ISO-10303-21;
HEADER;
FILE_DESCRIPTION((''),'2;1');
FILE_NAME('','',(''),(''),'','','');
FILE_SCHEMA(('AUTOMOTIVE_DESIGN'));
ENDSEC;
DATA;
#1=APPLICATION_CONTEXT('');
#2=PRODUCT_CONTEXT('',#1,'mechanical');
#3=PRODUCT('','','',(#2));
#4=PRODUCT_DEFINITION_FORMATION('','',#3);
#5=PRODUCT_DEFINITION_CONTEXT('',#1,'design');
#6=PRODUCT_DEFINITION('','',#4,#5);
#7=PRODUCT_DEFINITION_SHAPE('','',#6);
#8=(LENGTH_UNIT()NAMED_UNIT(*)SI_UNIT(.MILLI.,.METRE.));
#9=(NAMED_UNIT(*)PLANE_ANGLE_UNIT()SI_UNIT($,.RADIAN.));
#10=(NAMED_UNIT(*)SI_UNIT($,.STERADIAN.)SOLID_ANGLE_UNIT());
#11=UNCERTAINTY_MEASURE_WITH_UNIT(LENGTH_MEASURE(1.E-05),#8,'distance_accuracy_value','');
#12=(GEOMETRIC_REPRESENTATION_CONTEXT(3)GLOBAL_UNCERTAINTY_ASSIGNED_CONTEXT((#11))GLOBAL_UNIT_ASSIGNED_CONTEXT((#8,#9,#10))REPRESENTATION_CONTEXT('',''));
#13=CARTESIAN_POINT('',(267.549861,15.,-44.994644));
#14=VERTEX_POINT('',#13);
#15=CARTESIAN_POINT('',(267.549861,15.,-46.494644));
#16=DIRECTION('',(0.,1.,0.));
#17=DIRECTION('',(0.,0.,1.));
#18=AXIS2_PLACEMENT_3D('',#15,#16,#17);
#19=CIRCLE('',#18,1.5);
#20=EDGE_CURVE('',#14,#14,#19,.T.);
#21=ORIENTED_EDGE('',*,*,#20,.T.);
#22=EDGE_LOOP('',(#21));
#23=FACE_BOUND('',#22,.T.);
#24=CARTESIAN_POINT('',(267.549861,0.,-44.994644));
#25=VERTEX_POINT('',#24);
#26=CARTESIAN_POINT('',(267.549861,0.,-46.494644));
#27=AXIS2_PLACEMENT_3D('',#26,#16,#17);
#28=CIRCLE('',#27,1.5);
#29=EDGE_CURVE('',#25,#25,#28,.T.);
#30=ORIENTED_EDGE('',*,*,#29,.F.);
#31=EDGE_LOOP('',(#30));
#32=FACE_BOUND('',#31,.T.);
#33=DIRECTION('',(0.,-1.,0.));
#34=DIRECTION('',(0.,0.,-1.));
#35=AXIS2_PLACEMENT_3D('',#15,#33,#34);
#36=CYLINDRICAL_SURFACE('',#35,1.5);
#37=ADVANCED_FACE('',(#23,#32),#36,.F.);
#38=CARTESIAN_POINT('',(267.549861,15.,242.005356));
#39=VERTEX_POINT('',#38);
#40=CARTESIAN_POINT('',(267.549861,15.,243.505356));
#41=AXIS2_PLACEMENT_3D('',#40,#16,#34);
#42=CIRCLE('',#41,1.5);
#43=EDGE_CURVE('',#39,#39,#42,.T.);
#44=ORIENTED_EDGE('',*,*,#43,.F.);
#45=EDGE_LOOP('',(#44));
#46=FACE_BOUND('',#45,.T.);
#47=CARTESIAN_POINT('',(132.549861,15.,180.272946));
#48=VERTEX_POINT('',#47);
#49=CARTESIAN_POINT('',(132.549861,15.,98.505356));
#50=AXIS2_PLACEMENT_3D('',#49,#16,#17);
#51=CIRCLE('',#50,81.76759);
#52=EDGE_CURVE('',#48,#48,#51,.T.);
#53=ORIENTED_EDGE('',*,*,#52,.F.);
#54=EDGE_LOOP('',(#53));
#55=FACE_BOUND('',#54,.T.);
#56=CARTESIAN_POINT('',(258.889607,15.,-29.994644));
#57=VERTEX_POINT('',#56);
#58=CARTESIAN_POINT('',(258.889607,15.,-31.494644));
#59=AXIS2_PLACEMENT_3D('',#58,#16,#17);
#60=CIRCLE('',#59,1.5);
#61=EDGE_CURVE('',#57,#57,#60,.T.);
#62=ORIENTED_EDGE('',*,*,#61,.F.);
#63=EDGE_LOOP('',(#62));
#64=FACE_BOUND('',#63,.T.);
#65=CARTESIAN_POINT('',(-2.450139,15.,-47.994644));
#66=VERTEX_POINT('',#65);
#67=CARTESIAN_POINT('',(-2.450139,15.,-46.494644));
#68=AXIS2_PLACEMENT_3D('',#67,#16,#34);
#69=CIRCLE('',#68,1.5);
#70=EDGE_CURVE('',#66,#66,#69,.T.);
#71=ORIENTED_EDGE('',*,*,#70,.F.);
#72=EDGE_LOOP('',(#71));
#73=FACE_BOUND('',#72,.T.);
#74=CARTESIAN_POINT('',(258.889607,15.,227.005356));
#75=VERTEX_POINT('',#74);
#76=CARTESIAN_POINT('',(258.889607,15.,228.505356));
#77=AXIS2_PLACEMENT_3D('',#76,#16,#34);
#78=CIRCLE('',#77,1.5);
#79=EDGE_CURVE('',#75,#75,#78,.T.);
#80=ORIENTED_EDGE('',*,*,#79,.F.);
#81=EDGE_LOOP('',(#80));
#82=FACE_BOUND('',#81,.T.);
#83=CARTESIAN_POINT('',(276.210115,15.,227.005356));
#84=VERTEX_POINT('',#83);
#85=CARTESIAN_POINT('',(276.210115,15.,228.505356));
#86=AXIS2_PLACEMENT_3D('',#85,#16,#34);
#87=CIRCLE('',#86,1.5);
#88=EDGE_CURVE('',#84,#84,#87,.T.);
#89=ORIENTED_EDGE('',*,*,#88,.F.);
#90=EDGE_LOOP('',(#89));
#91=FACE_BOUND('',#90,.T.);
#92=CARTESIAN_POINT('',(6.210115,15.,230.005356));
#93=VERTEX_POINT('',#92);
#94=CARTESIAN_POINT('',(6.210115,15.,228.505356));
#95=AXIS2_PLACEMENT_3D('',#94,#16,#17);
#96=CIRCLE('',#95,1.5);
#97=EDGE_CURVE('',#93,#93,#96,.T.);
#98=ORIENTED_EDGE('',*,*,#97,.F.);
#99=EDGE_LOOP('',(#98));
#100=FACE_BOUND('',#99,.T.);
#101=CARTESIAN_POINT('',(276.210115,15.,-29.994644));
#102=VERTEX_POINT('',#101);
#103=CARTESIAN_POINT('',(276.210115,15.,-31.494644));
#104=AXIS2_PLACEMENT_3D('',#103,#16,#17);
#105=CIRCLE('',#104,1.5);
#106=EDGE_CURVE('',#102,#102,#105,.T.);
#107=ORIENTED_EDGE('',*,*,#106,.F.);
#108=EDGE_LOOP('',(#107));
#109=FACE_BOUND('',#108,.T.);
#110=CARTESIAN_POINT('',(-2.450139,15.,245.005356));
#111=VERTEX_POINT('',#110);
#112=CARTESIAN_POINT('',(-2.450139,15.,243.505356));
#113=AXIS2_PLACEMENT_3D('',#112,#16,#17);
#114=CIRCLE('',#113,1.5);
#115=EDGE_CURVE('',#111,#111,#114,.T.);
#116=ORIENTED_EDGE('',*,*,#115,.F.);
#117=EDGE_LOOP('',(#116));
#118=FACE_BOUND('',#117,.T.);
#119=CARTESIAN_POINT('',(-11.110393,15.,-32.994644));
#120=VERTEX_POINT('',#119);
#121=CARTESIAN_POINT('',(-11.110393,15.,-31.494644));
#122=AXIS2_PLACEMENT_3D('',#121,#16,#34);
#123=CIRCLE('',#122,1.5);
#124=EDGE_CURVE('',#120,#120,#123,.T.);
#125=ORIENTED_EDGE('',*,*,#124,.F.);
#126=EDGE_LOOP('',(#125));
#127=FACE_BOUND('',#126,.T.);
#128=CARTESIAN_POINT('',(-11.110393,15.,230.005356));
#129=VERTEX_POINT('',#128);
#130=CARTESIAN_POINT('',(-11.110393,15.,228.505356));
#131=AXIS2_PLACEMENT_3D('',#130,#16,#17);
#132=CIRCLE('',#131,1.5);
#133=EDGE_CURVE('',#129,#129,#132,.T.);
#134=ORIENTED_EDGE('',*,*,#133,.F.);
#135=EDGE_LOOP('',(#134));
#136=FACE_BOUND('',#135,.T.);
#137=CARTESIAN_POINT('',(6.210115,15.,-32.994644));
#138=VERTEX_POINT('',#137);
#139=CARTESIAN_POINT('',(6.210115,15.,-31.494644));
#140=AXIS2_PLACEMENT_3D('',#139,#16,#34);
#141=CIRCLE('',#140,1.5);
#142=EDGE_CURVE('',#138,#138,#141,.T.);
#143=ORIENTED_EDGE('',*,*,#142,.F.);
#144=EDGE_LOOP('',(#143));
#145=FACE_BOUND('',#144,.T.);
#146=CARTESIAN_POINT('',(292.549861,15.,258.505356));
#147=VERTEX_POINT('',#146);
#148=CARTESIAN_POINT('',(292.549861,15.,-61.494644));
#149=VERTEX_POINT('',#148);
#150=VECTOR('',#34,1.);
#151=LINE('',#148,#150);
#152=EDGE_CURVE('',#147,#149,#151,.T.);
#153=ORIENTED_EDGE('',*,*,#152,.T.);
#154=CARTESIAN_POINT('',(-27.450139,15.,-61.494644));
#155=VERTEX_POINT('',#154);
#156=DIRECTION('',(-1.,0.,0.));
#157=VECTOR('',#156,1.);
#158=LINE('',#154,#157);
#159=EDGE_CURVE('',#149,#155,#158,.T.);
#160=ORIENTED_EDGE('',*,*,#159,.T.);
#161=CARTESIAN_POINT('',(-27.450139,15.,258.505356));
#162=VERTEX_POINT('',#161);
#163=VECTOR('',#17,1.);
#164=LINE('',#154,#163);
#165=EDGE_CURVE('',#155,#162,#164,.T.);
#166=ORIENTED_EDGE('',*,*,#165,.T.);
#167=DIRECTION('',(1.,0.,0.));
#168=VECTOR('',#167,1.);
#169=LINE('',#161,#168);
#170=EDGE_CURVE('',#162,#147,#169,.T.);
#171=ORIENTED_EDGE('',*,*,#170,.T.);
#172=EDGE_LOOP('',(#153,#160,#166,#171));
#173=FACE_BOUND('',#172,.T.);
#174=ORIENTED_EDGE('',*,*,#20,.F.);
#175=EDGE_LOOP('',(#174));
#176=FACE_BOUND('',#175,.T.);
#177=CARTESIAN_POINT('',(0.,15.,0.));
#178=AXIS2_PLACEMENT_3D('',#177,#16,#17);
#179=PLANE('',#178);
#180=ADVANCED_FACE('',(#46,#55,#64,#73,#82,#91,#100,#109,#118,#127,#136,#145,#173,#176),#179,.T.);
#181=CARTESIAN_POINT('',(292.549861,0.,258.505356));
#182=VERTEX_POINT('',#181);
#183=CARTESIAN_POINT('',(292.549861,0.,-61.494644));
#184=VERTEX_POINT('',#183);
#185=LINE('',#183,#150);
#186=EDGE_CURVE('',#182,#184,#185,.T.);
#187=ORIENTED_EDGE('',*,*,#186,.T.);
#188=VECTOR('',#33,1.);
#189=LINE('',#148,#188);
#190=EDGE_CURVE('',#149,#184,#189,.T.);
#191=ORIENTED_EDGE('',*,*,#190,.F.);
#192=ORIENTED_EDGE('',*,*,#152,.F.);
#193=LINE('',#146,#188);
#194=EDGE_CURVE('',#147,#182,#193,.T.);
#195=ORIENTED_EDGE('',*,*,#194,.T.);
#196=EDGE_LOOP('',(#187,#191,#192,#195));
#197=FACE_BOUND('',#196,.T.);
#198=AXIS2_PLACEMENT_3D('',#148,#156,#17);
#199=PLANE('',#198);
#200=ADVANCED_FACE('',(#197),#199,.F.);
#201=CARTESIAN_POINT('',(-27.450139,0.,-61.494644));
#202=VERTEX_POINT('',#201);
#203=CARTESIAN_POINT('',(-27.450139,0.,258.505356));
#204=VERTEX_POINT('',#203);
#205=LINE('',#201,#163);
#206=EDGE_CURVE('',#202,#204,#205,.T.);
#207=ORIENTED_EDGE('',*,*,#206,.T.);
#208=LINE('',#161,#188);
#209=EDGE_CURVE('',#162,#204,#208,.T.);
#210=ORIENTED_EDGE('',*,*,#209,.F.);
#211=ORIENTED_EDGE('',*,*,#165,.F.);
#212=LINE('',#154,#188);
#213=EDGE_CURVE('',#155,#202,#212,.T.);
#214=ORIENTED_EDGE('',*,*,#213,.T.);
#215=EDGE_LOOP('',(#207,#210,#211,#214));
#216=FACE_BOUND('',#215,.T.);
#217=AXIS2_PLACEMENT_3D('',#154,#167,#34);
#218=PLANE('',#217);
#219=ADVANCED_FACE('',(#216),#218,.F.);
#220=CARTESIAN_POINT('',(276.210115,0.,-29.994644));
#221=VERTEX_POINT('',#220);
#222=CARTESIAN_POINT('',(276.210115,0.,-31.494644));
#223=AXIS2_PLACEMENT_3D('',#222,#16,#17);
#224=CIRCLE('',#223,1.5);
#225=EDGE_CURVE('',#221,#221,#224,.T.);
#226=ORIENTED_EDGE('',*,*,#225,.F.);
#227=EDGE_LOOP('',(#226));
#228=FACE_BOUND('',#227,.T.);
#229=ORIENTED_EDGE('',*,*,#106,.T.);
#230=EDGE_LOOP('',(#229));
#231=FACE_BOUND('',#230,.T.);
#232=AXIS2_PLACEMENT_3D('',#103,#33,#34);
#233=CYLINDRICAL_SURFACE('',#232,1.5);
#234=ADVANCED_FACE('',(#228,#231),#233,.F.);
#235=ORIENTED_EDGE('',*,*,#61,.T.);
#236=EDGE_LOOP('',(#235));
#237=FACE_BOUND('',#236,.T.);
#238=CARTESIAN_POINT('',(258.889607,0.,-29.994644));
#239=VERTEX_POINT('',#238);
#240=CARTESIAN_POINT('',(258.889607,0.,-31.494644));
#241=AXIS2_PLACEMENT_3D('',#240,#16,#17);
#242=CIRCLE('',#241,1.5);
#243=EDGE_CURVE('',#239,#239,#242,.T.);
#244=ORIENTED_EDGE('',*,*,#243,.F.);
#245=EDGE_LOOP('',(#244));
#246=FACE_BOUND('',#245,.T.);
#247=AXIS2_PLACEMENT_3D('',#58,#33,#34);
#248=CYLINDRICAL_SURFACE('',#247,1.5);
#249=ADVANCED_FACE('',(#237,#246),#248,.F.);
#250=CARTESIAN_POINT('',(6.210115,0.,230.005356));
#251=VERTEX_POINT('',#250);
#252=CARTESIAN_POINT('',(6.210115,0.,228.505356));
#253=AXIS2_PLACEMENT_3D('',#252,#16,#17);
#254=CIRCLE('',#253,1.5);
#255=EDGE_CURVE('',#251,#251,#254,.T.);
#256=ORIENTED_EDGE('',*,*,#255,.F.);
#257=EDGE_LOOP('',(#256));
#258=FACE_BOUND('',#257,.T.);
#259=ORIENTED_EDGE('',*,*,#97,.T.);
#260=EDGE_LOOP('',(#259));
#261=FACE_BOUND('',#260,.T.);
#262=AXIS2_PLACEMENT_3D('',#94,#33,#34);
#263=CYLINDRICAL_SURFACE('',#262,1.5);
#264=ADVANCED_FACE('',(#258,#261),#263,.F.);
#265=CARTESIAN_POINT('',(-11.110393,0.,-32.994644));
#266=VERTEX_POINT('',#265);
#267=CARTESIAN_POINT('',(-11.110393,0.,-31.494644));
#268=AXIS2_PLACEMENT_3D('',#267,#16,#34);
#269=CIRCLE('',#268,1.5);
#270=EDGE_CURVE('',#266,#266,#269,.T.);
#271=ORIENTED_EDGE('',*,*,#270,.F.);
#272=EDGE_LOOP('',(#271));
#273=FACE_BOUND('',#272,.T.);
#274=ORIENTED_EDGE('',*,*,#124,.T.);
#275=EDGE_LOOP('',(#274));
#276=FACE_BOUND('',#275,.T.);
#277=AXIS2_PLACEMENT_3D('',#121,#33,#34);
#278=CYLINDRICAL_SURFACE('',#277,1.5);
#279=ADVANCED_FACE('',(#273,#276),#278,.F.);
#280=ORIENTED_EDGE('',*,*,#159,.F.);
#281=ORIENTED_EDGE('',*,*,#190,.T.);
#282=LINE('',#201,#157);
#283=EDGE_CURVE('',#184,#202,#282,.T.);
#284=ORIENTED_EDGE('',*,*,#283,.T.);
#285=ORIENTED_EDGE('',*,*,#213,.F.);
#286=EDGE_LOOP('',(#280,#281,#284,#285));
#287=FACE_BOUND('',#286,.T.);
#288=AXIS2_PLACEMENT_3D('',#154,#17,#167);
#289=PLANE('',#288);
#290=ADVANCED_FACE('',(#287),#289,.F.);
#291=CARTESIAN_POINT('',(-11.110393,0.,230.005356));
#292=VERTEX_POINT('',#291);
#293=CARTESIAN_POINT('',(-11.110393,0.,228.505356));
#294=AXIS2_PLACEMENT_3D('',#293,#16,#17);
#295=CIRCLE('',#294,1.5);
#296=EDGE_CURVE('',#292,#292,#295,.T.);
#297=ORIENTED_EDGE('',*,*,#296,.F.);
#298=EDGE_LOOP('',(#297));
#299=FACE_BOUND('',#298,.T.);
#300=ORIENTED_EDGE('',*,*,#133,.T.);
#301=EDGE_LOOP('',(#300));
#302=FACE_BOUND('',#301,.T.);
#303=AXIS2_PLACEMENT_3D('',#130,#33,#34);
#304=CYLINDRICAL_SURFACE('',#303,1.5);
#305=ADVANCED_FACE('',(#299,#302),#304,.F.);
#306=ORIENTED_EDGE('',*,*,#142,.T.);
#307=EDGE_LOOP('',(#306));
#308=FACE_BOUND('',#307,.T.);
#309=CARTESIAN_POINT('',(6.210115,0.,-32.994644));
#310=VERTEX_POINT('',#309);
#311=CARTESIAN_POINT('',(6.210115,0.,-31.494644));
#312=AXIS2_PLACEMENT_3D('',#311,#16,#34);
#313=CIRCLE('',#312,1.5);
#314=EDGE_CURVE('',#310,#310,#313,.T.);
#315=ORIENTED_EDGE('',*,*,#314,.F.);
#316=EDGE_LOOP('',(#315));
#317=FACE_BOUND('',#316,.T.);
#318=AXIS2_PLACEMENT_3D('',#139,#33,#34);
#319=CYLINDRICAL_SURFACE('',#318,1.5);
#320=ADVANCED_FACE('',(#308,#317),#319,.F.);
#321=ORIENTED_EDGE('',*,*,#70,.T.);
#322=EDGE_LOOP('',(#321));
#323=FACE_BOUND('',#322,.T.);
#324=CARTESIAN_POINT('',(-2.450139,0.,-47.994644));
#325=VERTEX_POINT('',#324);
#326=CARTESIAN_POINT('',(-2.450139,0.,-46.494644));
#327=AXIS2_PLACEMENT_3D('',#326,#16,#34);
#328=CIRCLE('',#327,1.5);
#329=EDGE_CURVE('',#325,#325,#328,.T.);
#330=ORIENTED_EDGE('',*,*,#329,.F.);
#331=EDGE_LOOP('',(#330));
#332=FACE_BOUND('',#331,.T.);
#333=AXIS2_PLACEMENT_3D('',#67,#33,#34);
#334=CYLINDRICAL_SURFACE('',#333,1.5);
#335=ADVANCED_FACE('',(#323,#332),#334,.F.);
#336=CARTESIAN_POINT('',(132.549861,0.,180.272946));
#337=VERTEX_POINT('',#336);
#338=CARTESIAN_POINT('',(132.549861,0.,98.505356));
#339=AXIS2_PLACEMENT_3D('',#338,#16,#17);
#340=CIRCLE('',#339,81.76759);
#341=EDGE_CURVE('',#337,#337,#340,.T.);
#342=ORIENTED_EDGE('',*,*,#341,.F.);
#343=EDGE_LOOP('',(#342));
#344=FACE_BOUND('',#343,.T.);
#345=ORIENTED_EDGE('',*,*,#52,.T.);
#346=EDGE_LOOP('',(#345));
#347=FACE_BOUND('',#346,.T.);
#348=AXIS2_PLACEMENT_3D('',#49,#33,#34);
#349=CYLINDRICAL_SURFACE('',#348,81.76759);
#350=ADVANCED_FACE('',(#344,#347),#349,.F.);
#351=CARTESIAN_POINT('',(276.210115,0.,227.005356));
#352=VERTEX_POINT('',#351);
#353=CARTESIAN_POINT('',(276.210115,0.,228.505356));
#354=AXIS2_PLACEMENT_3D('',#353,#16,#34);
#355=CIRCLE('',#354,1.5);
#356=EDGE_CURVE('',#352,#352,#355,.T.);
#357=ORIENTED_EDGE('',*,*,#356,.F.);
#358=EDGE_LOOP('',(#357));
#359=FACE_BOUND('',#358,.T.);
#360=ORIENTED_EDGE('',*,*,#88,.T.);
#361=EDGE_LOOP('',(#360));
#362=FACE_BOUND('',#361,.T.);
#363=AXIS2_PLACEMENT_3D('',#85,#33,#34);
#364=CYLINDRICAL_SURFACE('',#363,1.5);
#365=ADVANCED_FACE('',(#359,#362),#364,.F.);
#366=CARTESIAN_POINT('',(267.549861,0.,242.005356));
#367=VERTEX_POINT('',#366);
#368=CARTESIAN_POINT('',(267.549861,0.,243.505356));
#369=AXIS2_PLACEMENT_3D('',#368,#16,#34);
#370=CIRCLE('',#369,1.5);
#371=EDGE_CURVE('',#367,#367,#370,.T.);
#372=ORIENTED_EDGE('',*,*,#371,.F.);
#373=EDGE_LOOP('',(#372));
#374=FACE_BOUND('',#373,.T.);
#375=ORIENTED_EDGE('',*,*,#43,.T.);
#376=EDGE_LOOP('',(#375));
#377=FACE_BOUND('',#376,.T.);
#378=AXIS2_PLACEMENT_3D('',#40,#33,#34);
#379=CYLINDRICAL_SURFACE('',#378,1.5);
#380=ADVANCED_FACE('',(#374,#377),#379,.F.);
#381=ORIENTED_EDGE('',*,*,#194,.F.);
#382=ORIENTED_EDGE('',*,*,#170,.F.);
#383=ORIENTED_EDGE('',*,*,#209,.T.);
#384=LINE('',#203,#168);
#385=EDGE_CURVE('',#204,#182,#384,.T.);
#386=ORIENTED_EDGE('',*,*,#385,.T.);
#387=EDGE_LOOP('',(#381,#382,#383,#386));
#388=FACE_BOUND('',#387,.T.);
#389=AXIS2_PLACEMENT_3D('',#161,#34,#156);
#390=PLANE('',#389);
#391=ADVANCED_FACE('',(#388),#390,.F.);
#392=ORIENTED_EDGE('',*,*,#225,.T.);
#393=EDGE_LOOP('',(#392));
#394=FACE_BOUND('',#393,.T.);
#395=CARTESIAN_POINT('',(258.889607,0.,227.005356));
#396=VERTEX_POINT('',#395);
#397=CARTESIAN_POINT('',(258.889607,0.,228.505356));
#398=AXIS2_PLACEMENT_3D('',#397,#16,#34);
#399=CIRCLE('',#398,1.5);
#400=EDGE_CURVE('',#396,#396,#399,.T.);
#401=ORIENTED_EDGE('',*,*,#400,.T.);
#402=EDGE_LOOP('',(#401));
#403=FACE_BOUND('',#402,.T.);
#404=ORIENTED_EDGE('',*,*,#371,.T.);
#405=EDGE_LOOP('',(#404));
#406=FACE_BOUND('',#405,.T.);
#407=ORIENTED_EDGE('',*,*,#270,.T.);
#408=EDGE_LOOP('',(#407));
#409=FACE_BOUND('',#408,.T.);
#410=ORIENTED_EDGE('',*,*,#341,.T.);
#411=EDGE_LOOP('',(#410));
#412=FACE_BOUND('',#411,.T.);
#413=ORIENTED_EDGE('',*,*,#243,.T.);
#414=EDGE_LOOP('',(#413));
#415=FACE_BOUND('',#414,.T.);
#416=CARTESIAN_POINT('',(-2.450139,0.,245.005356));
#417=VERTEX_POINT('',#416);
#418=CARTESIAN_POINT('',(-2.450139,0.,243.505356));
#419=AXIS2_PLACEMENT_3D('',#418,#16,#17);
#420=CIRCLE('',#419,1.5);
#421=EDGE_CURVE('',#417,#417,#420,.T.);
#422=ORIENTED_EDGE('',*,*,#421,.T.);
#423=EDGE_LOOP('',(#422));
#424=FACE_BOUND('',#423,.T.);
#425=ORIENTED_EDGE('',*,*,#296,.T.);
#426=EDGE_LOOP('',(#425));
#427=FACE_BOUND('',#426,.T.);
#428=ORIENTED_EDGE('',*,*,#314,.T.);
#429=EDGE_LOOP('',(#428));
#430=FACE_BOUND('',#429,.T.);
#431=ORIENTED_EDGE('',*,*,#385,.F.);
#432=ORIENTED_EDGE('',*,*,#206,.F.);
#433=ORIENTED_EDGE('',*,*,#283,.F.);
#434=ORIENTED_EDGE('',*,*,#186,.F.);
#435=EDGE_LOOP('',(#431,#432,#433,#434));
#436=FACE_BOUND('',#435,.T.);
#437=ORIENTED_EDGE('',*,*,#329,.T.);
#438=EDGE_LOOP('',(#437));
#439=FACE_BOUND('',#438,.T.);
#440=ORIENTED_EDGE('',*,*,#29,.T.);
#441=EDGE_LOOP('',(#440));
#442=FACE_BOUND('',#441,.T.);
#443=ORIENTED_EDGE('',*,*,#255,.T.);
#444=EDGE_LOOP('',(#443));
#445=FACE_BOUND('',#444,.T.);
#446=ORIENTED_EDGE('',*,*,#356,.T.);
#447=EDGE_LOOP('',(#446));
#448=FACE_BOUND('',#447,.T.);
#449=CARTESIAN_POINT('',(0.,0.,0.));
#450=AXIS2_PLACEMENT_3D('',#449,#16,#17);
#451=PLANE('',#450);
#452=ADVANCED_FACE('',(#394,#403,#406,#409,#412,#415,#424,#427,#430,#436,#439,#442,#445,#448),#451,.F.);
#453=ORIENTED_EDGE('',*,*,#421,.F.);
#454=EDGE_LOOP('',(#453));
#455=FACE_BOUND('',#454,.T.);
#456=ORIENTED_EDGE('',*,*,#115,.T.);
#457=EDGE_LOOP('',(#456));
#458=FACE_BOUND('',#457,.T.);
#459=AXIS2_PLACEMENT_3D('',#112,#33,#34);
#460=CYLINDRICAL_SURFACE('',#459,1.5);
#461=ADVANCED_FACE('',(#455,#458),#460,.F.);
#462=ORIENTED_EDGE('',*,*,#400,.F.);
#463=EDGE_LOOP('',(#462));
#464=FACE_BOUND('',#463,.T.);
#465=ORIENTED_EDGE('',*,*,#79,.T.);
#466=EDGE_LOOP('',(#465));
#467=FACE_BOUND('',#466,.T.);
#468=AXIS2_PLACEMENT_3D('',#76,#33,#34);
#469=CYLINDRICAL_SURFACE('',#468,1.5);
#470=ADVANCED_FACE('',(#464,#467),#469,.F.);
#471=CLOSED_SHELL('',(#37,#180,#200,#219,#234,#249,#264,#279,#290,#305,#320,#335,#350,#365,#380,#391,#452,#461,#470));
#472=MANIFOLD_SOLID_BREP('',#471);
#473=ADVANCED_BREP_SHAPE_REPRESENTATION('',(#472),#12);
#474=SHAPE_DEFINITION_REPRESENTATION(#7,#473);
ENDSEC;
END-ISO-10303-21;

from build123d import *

# Parameters (mm, degrees)
SKETCH2_W           = 320
SKETCH2_H           = 320
SKETCH2_R           = 1.5
SKETCH2_R_2         = 81.767590035
BOSS_EXTRUDE1_DEPTH = 15


with BuildPart() as part:
    # Sketch2 → Boss-Extrude1 (new body)
    with BuildSketch(Plane(origin=(0, 0, 0), x_dir=(1, 0, 0), z_dir=(0, 1, 0))):
        with Locations((132.549861042, -98.505355986)):
            Rectangle(SKETCH2_W, SKETCH2_H)
        with Locations((267.549861042, 46.494644014)):
            Circle(SKETCH2_R, mode=Mode.SUBTRACT)
        with Locations((276.210115079, 31.494644014)):
            Circle(SKETCH2_R, mode=Mode.SUBTRACT)
        with Locations((258.889607004, 31.494644014)):
            Circle(SKETCH2_R, mode=Mode.SUBTRACT)
        with Locations((6.210115079, 31.494644014)):
            Circle(SKETCH2_R, mode=Mode.SUBTRACT)
        with Locations((-11.110392996, 31.494644014)):
            Circle(SKETCH2_R, mode=Mode.SUBTRACT)
        with Locations((-2.450138958, 46.494644014)):
            Circle(SKETCH2_R, mode=Mode.SUBTRACT)
        with Locations((-11.110392996, -228.505355986)):
            Circle(SKETCH2_R, mode=Mode.SUBTRACT)
        with Locations((6.210115079, -228.505355986)):
            Circle(SKETCH2_R, mode=Mode.SUBTRACT)
        with Locations((-2.450138958, -243.505355986)):
            Circle(SKETCH2_R, mode=Mode.SUBTRACT)
        with Locations((258.889607004, -228.505355986)):
            Circle(SKETCH2_R, mode=Mode.SUBTRACT)
        with Locations((276.210115079, -228.505355986)):
            Circle(SKETCH2_R, mode=Mode.SUBTRACT)
        with Locations((267.549861042, -243.505355986)):
            Circle(SKETCH2_R, mode=Mode.SUBTRACT)
        with Locations((132.549861042, -98.505355986)):
            Circle(SKETCH2_R_2, mode=Mode.SUBTRACT)
    extrude(amount=BOSS_EXTRUDE1_DEPTH)


solid = part.part
